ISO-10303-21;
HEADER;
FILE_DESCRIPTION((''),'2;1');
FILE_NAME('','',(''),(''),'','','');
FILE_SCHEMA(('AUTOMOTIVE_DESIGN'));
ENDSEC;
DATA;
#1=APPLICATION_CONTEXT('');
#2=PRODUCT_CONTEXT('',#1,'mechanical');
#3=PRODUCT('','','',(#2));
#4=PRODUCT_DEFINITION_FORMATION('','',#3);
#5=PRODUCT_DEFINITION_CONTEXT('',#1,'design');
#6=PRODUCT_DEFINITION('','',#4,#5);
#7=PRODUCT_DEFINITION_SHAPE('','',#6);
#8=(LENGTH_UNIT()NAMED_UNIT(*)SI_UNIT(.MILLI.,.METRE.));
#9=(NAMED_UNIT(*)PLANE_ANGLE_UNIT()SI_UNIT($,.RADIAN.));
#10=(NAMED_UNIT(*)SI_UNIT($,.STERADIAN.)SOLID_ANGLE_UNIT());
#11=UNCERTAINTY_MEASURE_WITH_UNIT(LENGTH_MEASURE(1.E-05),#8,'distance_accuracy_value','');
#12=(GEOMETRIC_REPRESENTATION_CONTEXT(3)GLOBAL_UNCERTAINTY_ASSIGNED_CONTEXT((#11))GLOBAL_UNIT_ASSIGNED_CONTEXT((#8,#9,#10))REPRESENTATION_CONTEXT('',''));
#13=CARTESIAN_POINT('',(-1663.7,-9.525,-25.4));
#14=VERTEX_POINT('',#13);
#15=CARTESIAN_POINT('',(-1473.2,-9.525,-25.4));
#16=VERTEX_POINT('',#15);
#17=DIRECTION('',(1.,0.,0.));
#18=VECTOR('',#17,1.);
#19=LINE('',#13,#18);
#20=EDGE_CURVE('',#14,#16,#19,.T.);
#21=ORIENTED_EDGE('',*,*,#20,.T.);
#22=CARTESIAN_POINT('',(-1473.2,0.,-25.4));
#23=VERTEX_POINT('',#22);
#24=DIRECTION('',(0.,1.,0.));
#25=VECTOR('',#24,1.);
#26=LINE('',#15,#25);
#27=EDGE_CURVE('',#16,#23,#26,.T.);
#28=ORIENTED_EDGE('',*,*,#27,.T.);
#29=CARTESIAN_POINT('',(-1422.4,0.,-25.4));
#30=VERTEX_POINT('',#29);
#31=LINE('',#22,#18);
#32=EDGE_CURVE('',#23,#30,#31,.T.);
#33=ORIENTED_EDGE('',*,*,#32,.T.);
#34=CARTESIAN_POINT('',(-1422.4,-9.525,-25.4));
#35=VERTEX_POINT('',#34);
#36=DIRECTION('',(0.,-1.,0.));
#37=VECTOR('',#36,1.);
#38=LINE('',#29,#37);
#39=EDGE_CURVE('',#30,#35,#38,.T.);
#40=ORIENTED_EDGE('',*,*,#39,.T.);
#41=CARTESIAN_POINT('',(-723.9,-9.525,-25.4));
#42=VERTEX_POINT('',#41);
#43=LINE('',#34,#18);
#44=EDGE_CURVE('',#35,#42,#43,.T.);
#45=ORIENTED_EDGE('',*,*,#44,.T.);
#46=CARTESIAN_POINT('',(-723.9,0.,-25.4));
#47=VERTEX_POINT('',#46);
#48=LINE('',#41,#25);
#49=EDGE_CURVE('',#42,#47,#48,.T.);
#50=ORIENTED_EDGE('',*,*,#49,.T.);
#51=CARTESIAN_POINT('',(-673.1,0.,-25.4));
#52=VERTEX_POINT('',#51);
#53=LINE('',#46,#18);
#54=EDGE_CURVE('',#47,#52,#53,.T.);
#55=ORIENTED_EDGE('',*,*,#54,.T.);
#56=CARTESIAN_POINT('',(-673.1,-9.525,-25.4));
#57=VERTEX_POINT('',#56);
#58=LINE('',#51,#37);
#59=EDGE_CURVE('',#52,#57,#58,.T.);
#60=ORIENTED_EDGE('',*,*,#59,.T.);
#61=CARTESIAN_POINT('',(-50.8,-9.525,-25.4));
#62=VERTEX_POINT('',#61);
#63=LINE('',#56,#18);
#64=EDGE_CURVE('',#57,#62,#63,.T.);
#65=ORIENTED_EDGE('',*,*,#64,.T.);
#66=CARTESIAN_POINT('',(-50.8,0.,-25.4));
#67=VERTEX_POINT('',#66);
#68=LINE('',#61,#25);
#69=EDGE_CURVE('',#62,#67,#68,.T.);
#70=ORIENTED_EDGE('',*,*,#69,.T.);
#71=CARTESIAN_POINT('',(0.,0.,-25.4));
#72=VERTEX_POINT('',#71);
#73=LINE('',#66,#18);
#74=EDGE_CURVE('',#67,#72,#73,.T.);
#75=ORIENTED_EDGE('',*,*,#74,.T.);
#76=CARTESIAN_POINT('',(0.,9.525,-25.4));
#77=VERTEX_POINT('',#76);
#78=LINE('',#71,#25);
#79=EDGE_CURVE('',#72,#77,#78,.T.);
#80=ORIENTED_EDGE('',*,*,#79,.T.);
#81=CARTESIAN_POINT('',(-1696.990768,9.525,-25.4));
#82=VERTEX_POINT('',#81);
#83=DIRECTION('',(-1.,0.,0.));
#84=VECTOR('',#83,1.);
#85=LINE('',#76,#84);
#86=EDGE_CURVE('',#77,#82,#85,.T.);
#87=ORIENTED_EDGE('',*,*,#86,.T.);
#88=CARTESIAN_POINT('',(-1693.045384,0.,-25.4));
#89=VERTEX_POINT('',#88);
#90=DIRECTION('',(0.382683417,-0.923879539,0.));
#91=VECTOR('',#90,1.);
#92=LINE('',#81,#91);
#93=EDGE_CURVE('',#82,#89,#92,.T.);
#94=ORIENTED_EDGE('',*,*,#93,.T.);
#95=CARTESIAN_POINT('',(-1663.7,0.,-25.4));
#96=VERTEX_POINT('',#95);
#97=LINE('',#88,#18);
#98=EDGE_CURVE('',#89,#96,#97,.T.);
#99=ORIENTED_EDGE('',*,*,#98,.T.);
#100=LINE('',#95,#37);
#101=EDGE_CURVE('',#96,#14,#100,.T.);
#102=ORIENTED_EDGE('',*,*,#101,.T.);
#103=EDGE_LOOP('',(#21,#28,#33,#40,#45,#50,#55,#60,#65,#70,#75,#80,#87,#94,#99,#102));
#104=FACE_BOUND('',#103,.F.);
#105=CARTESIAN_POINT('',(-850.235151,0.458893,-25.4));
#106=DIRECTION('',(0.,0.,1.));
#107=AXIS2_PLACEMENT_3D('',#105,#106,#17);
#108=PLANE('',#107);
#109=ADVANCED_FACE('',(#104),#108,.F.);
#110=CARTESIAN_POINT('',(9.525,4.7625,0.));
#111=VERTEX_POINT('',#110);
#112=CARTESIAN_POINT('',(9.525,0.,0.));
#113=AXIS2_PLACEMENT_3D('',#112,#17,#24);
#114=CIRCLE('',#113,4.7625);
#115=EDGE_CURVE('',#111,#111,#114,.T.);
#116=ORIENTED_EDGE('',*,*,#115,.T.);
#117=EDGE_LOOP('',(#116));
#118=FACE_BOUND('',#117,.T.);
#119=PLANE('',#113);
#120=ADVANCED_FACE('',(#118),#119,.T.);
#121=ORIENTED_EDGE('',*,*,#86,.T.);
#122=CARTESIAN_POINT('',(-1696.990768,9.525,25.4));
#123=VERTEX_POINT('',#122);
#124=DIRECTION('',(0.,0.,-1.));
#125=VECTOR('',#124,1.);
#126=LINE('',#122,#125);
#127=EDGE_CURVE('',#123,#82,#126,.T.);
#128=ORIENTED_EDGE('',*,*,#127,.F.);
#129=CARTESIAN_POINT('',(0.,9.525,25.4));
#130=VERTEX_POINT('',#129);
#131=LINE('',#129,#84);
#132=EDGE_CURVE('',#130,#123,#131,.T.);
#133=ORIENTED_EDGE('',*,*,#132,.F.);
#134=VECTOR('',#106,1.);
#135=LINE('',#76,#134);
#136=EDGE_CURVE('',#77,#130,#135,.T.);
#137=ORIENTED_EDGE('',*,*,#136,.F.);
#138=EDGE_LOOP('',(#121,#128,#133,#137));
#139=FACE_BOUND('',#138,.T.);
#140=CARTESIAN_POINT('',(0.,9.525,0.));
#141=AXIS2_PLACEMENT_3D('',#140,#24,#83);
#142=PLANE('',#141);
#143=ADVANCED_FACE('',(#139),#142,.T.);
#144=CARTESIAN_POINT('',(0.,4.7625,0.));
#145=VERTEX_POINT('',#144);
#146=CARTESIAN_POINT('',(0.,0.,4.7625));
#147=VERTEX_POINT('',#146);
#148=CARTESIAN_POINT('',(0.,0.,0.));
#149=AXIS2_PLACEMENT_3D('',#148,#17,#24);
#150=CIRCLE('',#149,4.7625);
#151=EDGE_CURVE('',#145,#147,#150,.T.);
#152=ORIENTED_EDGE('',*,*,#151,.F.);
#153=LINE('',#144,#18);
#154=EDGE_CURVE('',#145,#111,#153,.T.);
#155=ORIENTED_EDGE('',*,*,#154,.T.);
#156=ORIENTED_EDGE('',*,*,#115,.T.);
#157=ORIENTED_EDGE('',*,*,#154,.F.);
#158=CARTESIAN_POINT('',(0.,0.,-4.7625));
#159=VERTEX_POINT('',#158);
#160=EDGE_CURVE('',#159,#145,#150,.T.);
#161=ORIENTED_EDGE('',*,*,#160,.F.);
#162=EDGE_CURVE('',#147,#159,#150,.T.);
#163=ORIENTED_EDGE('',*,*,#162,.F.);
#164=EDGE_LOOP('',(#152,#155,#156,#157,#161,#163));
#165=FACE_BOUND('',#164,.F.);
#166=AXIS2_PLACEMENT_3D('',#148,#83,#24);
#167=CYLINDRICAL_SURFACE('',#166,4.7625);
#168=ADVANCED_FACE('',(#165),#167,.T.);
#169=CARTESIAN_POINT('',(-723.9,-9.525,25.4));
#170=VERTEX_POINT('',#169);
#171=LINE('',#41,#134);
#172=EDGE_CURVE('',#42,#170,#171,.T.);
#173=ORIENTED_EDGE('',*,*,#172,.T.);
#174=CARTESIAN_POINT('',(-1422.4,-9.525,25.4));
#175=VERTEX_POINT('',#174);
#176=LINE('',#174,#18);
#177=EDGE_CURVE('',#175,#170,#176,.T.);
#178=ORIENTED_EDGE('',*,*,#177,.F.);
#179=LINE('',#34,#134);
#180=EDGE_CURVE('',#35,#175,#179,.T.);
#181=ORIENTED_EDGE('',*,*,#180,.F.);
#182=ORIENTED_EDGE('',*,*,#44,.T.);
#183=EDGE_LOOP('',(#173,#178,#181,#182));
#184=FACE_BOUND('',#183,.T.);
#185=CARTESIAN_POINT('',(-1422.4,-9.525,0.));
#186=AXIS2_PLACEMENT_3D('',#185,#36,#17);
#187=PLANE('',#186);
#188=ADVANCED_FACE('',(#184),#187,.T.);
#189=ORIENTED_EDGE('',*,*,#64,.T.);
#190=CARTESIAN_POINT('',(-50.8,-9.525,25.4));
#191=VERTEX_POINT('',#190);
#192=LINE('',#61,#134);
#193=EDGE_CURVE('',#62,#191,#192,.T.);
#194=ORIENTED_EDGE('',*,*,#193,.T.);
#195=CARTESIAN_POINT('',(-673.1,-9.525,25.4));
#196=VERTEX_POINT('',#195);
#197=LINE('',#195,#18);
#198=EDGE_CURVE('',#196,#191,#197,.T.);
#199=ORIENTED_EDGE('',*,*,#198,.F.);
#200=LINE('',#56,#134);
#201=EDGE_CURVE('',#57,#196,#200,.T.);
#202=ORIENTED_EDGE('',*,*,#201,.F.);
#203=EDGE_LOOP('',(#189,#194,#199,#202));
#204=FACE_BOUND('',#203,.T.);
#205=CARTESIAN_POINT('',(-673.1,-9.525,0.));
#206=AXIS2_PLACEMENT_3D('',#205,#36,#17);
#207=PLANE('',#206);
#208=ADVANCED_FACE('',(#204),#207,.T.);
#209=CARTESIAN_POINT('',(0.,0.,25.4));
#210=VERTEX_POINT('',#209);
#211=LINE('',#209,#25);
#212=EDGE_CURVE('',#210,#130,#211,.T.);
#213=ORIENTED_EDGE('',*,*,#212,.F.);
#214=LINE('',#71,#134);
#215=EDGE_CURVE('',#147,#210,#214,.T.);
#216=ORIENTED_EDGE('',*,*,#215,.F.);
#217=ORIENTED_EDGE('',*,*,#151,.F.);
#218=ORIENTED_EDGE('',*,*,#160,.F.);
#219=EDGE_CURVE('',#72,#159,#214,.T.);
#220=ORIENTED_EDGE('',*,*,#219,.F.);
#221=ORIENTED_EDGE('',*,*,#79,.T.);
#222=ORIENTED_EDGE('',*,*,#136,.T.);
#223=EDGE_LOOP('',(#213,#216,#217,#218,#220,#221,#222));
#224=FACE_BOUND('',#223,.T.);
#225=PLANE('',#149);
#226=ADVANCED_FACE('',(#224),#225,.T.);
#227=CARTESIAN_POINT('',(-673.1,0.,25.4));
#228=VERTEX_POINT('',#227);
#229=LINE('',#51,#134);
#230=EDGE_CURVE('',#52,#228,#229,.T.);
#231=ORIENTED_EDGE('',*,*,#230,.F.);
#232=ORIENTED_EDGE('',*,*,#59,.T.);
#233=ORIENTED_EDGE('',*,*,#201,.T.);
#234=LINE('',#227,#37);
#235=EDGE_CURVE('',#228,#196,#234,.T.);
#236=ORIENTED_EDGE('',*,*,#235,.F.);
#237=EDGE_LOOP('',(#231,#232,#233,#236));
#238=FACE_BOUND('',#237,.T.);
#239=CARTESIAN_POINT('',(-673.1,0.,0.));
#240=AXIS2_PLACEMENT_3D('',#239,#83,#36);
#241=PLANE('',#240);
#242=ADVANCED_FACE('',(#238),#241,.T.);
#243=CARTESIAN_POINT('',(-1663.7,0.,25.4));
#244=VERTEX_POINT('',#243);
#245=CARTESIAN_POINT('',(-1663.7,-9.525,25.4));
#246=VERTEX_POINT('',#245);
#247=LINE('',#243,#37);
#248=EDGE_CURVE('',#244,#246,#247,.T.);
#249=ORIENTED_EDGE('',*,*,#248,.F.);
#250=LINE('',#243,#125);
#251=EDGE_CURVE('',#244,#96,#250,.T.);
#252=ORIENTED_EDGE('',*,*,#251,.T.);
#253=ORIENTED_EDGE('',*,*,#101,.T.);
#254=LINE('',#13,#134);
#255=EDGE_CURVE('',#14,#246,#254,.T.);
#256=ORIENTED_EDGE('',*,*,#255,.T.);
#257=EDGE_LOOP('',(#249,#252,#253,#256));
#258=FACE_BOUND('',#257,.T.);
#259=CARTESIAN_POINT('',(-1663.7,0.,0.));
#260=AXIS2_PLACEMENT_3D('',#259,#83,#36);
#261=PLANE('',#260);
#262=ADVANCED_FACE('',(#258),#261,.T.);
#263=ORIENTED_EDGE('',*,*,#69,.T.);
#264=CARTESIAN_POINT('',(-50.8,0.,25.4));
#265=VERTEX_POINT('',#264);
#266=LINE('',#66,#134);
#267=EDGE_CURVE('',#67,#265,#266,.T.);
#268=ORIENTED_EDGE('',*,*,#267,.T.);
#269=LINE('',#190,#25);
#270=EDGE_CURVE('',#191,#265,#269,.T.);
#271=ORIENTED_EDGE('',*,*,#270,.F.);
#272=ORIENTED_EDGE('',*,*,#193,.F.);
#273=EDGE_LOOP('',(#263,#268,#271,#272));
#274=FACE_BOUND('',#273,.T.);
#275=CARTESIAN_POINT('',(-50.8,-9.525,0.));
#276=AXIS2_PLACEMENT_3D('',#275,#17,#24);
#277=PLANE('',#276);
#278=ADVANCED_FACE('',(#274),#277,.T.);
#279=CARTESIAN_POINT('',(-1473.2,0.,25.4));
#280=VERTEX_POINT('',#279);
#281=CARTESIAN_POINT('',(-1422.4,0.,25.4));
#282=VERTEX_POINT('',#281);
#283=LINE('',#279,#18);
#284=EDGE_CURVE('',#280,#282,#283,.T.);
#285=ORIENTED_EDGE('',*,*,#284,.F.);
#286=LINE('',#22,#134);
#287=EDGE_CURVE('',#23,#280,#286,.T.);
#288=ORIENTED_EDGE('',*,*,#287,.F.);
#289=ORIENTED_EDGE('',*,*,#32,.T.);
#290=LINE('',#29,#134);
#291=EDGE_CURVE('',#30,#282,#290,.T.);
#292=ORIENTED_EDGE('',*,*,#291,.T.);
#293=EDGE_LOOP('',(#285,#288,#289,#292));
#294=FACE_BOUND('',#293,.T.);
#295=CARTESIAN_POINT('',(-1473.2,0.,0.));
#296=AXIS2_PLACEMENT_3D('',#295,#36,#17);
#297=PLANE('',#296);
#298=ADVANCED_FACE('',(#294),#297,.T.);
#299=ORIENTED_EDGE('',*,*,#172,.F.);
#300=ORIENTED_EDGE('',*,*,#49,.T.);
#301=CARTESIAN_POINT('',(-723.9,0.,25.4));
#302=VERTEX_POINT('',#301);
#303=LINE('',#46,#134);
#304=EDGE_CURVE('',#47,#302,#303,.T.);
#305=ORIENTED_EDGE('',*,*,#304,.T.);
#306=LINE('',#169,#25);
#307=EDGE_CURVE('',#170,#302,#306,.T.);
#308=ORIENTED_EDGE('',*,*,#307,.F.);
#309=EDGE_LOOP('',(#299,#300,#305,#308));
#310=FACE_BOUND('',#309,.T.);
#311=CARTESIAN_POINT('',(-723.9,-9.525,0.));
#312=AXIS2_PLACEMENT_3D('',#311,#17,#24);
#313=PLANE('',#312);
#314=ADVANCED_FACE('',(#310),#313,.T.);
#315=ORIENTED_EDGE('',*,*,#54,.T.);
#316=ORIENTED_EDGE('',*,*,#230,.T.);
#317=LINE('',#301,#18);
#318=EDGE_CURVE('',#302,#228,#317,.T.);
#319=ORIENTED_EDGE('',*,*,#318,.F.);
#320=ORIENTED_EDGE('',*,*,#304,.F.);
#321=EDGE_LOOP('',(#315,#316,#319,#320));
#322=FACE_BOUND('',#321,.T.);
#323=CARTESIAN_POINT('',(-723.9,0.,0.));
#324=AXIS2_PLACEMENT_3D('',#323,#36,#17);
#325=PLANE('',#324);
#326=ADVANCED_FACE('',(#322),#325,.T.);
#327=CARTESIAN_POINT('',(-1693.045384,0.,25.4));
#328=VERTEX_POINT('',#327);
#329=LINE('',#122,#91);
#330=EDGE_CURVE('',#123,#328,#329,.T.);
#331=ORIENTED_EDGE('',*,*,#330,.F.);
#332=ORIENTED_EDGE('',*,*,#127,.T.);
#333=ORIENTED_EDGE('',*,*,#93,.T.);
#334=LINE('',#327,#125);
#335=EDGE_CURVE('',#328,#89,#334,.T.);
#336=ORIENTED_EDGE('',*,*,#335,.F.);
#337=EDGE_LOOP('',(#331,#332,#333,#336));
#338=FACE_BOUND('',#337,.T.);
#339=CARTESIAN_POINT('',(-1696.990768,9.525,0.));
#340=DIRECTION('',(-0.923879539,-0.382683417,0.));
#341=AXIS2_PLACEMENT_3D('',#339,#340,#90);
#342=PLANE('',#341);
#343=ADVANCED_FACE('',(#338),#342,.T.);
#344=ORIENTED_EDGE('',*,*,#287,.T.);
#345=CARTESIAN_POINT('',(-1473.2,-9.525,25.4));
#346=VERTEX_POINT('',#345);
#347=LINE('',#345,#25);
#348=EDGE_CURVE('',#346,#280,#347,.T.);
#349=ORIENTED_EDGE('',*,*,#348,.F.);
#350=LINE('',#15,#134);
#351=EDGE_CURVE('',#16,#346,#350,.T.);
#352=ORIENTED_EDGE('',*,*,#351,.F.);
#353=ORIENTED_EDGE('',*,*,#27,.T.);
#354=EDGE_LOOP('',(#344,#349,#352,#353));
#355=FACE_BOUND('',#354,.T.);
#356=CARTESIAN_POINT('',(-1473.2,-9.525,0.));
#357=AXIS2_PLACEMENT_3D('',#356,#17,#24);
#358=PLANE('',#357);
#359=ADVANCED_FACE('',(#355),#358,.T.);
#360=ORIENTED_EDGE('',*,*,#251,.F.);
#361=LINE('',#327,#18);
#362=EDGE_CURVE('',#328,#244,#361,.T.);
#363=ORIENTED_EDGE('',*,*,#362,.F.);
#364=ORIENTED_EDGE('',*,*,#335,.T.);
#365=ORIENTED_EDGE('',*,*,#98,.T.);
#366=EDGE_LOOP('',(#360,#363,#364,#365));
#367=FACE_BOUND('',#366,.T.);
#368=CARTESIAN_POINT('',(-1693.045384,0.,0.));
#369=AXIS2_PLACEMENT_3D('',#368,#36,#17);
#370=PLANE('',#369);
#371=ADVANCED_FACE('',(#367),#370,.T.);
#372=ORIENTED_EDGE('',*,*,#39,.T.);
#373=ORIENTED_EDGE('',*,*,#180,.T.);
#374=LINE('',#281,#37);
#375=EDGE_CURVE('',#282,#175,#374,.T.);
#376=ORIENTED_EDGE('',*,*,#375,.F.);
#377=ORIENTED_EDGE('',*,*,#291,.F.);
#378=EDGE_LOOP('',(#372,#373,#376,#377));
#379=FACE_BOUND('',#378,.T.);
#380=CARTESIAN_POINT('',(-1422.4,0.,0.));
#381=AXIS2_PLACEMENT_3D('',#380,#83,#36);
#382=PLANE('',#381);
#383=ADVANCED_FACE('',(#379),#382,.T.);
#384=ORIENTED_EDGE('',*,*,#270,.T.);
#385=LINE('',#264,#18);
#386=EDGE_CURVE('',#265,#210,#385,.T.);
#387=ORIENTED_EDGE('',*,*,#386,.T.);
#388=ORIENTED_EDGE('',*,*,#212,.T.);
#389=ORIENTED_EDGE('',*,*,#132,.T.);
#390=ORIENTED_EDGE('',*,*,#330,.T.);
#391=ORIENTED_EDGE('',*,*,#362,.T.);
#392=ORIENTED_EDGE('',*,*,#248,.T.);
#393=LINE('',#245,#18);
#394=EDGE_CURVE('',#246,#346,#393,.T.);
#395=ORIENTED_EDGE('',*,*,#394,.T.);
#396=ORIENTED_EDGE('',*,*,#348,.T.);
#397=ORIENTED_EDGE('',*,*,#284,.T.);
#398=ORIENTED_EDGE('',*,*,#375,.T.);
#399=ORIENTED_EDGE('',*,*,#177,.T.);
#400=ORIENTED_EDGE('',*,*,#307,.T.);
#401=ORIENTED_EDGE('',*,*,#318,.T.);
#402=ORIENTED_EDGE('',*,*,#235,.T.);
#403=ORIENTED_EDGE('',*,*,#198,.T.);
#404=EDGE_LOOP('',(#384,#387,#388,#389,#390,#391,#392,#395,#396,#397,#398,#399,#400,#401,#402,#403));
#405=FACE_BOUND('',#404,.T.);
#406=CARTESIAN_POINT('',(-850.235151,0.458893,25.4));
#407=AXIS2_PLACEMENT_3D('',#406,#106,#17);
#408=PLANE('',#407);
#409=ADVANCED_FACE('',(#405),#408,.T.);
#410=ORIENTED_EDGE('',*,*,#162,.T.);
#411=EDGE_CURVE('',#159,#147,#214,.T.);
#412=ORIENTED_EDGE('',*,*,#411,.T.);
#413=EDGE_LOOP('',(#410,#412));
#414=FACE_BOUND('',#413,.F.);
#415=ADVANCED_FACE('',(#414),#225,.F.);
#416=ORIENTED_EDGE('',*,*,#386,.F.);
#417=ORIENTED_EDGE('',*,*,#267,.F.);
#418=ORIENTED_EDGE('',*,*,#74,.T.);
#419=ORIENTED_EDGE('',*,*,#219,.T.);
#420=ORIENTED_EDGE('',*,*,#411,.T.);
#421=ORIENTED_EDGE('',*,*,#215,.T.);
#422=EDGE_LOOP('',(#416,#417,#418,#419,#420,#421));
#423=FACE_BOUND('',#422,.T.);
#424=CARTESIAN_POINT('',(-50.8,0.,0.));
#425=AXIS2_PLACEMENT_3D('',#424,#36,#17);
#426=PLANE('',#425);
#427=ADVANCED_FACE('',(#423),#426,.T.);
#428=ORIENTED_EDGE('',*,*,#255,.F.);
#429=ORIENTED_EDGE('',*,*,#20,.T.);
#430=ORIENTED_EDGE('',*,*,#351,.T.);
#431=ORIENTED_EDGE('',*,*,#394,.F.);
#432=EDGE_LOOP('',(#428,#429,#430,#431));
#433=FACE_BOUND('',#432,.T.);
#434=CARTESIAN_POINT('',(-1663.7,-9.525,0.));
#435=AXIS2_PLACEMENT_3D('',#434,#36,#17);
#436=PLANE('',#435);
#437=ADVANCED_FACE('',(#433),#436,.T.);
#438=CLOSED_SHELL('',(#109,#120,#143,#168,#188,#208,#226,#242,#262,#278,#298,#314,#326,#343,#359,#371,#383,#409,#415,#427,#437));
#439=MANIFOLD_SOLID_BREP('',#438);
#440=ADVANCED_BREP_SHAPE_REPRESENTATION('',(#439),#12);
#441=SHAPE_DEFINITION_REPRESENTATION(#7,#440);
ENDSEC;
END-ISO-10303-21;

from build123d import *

# Parameters (mm, degrees)
F1_DEPTH = 25.4
F2_R     = 4.7625
F3_DEPTH = 9.525


with BuildPart() as f1:
    # F0 (on Top) → F1 (new body, symmetric)
    with BuildSketch(Plane.XY):
        Polygon((-1663.7, 0), (-1663.7, -9.525), (-1473.2, -9.525), (-1473.2, 0), (-1422.4, 0), (-1422.4, -9.525), (-723.9, -9.525), (-723.9, 0), (-673.1, 0), (-673.1, -9.525), (-50.8, -9.525), (-50.8, 0), (0, 0), (0, 9.525), (-1696.990768, 9.525), (-1693.045384, 0), align=None)
    extrude(amount=F1_DEPTH, both=True)

    # F2 (on Right) → F3 (join)
    with BuildSketch(Plane.YZ):
        Circle(F2_R)
    extrude(amount=F3_DEPTH)


solid = f1.part
